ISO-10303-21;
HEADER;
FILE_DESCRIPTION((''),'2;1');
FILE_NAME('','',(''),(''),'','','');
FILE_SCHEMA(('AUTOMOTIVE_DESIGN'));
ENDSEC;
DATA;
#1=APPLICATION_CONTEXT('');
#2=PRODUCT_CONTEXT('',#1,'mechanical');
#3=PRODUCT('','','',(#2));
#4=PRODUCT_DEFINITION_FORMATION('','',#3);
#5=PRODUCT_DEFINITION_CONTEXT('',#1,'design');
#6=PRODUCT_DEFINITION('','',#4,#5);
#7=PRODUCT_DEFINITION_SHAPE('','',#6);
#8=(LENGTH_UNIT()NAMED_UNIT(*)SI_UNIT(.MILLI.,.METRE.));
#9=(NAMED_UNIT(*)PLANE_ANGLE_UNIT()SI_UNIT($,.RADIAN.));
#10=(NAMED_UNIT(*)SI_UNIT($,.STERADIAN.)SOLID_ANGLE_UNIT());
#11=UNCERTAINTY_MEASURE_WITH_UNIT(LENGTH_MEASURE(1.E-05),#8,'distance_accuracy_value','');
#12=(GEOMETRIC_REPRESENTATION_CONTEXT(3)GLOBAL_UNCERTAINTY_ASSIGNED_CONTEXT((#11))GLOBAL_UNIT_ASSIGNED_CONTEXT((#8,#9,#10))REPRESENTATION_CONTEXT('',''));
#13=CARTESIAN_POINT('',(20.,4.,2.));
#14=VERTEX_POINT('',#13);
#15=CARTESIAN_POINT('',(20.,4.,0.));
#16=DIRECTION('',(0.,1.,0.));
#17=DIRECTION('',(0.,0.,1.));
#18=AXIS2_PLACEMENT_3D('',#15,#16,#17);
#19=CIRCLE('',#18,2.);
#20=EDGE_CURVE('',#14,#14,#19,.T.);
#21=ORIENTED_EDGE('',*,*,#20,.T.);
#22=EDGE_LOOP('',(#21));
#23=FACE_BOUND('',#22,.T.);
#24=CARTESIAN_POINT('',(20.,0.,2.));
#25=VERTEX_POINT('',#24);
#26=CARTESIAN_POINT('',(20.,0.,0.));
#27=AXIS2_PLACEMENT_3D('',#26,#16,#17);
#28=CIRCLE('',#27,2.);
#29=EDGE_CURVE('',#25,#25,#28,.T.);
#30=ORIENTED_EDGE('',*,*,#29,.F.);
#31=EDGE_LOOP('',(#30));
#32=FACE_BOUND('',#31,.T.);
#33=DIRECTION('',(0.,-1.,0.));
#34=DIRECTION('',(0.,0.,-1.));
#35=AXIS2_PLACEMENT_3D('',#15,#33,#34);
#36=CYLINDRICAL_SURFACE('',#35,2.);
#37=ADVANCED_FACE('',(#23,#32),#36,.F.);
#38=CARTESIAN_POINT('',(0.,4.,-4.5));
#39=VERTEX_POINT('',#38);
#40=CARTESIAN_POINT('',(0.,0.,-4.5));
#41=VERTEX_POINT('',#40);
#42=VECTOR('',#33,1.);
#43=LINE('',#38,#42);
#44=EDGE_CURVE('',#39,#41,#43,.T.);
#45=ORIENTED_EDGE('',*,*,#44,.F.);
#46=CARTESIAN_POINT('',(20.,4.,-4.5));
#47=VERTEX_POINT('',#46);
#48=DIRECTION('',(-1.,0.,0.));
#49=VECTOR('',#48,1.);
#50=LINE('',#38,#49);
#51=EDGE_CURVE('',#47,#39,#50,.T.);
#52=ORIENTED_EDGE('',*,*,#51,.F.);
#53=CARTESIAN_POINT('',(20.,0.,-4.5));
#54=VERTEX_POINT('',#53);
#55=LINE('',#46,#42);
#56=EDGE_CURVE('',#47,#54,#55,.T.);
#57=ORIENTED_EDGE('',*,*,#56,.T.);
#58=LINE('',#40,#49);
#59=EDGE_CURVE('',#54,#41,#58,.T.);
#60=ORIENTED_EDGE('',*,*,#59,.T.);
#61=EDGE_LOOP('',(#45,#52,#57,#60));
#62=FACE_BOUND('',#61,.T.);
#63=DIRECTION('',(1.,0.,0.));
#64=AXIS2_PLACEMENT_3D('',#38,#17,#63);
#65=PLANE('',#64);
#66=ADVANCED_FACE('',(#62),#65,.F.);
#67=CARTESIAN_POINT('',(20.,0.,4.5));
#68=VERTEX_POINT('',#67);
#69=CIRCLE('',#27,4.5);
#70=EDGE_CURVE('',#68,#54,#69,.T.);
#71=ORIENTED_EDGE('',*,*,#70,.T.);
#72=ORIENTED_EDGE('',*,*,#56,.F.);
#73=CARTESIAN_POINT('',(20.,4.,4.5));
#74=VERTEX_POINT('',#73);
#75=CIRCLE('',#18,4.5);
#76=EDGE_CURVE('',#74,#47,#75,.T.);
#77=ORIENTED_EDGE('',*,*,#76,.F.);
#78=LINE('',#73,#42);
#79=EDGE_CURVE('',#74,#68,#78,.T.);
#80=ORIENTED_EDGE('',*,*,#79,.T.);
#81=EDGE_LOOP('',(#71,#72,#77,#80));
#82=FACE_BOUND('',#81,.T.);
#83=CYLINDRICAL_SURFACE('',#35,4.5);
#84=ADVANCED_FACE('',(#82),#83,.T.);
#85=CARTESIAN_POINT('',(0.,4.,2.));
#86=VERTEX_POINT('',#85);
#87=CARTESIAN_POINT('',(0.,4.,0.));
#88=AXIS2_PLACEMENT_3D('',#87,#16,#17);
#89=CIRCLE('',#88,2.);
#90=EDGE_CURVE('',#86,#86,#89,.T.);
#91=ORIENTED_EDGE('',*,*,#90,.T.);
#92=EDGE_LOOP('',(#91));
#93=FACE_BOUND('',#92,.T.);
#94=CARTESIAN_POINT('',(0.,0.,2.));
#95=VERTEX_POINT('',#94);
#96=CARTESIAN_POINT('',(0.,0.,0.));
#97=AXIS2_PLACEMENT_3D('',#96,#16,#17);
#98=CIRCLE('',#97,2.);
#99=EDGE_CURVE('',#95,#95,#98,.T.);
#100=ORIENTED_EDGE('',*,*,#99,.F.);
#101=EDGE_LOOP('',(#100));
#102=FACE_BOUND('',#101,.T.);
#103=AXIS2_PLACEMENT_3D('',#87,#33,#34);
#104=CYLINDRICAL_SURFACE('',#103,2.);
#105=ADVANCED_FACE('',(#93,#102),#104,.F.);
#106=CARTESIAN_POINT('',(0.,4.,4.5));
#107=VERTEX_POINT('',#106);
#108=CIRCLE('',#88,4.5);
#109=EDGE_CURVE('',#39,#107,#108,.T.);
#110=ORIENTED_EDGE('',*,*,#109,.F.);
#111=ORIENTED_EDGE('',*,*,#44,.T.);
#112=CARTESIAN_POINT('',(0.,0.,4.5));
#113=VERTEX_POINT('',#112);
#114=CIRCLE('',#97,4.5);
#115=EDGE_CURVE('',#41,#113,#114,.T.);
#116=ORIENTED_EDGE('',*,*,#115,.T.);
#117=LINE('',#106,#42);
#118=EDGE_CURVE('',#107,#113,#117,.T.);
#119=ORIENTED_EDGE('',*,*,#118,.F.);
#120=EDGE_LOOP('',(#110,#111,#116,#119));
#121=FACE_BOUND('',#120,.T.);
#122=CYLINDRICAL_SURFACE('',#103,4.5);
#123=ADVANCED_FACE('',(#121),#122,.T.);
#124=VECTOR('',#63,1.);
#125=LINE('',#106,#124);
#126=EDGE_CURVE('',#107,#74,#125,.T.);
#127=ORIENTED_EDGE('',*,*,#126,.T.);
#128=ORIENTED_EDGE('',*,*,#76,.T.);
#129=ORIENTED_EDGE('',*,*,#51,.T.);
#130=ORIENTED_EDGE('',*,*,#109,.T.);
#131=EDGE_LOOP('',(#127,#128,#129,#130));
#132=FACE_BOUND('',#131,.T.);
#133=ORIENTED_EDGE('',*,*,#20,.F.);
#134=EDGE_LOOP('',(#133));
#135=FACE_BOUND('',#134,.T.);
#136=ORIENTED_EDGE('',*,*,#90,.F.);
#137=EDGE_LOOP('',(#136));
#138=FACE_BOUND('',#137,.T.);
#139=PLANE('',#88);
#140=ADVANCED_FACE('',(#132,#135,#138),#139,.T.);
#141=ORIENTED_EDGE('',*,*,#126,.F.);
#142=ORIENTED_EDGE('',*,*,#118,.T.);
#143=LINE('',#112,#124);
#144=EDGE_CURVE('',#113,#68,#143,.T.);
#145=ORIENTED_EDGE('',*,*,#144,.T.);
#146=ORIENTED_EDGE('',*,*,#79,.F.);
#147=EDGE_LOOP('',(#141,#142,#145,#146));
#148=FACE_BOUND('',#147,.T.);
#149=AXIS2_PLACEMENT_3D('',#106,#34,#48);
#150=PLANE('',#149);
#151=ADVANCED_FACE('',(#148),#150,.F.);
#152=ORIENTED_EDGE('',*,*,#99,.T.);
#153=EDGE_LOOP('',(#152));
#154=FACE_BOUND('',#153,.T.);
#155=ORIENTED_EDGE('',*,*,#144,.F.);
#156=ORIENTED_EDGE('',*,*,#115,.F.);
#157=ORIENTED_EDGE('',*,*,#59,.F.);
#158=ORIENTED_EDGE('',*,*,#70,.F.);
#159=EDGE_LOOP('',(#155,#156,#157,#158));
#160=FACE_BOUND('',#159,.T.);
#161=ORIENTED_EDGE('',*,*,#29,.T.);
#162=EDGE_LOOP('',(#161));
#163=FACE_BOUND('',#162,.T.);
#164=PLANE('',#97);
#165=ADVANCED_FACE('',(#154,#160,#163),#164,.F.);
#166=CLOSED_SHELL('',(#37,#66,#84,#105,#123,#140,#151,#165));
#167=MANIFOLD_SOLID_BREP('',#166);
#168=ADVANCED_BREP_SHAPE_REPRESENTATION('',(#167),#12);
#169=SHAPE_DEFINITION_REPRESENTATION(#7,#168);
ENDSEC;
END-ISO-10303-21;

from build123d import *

# Parameters (mm, degrees)
SKETCH_1_R      = 2
EXTRUDE_1_DEPTH = 4


with BuildPart() as part:
    # Эскиз1 → Вытянуть1 (new body)
    with BuildSketch(Plane(origin=(0, 0, 0), x_dir=(1, 0, 0), z_dir=(0, 1, 0))):
        with BuildLine():
            Line((0, 4.5), (20, 4.5))
            ThreePointArc((20, 4.5), (24.5, 0), (20, -4.5))
            Line((20, -4.5), (0, -4.5))
            ThreePointArc((0, -4.5), (-4.5, 0), (0, 4.5))
        make_face()
        with Locations(Location((0, 0, 0), (0, 0, 270))):
            Circle(SKETCH_1_R, mode=Mode.SUBTRACT)
        with Locations(Location((20, 0, 0), (0, 0, 270))):
            Circle(SKETCH_1_R, mode=Mode.SUBTRACT)
    extrude(amount=EXTRUDE_1_DEPTH)


solid = part.part
